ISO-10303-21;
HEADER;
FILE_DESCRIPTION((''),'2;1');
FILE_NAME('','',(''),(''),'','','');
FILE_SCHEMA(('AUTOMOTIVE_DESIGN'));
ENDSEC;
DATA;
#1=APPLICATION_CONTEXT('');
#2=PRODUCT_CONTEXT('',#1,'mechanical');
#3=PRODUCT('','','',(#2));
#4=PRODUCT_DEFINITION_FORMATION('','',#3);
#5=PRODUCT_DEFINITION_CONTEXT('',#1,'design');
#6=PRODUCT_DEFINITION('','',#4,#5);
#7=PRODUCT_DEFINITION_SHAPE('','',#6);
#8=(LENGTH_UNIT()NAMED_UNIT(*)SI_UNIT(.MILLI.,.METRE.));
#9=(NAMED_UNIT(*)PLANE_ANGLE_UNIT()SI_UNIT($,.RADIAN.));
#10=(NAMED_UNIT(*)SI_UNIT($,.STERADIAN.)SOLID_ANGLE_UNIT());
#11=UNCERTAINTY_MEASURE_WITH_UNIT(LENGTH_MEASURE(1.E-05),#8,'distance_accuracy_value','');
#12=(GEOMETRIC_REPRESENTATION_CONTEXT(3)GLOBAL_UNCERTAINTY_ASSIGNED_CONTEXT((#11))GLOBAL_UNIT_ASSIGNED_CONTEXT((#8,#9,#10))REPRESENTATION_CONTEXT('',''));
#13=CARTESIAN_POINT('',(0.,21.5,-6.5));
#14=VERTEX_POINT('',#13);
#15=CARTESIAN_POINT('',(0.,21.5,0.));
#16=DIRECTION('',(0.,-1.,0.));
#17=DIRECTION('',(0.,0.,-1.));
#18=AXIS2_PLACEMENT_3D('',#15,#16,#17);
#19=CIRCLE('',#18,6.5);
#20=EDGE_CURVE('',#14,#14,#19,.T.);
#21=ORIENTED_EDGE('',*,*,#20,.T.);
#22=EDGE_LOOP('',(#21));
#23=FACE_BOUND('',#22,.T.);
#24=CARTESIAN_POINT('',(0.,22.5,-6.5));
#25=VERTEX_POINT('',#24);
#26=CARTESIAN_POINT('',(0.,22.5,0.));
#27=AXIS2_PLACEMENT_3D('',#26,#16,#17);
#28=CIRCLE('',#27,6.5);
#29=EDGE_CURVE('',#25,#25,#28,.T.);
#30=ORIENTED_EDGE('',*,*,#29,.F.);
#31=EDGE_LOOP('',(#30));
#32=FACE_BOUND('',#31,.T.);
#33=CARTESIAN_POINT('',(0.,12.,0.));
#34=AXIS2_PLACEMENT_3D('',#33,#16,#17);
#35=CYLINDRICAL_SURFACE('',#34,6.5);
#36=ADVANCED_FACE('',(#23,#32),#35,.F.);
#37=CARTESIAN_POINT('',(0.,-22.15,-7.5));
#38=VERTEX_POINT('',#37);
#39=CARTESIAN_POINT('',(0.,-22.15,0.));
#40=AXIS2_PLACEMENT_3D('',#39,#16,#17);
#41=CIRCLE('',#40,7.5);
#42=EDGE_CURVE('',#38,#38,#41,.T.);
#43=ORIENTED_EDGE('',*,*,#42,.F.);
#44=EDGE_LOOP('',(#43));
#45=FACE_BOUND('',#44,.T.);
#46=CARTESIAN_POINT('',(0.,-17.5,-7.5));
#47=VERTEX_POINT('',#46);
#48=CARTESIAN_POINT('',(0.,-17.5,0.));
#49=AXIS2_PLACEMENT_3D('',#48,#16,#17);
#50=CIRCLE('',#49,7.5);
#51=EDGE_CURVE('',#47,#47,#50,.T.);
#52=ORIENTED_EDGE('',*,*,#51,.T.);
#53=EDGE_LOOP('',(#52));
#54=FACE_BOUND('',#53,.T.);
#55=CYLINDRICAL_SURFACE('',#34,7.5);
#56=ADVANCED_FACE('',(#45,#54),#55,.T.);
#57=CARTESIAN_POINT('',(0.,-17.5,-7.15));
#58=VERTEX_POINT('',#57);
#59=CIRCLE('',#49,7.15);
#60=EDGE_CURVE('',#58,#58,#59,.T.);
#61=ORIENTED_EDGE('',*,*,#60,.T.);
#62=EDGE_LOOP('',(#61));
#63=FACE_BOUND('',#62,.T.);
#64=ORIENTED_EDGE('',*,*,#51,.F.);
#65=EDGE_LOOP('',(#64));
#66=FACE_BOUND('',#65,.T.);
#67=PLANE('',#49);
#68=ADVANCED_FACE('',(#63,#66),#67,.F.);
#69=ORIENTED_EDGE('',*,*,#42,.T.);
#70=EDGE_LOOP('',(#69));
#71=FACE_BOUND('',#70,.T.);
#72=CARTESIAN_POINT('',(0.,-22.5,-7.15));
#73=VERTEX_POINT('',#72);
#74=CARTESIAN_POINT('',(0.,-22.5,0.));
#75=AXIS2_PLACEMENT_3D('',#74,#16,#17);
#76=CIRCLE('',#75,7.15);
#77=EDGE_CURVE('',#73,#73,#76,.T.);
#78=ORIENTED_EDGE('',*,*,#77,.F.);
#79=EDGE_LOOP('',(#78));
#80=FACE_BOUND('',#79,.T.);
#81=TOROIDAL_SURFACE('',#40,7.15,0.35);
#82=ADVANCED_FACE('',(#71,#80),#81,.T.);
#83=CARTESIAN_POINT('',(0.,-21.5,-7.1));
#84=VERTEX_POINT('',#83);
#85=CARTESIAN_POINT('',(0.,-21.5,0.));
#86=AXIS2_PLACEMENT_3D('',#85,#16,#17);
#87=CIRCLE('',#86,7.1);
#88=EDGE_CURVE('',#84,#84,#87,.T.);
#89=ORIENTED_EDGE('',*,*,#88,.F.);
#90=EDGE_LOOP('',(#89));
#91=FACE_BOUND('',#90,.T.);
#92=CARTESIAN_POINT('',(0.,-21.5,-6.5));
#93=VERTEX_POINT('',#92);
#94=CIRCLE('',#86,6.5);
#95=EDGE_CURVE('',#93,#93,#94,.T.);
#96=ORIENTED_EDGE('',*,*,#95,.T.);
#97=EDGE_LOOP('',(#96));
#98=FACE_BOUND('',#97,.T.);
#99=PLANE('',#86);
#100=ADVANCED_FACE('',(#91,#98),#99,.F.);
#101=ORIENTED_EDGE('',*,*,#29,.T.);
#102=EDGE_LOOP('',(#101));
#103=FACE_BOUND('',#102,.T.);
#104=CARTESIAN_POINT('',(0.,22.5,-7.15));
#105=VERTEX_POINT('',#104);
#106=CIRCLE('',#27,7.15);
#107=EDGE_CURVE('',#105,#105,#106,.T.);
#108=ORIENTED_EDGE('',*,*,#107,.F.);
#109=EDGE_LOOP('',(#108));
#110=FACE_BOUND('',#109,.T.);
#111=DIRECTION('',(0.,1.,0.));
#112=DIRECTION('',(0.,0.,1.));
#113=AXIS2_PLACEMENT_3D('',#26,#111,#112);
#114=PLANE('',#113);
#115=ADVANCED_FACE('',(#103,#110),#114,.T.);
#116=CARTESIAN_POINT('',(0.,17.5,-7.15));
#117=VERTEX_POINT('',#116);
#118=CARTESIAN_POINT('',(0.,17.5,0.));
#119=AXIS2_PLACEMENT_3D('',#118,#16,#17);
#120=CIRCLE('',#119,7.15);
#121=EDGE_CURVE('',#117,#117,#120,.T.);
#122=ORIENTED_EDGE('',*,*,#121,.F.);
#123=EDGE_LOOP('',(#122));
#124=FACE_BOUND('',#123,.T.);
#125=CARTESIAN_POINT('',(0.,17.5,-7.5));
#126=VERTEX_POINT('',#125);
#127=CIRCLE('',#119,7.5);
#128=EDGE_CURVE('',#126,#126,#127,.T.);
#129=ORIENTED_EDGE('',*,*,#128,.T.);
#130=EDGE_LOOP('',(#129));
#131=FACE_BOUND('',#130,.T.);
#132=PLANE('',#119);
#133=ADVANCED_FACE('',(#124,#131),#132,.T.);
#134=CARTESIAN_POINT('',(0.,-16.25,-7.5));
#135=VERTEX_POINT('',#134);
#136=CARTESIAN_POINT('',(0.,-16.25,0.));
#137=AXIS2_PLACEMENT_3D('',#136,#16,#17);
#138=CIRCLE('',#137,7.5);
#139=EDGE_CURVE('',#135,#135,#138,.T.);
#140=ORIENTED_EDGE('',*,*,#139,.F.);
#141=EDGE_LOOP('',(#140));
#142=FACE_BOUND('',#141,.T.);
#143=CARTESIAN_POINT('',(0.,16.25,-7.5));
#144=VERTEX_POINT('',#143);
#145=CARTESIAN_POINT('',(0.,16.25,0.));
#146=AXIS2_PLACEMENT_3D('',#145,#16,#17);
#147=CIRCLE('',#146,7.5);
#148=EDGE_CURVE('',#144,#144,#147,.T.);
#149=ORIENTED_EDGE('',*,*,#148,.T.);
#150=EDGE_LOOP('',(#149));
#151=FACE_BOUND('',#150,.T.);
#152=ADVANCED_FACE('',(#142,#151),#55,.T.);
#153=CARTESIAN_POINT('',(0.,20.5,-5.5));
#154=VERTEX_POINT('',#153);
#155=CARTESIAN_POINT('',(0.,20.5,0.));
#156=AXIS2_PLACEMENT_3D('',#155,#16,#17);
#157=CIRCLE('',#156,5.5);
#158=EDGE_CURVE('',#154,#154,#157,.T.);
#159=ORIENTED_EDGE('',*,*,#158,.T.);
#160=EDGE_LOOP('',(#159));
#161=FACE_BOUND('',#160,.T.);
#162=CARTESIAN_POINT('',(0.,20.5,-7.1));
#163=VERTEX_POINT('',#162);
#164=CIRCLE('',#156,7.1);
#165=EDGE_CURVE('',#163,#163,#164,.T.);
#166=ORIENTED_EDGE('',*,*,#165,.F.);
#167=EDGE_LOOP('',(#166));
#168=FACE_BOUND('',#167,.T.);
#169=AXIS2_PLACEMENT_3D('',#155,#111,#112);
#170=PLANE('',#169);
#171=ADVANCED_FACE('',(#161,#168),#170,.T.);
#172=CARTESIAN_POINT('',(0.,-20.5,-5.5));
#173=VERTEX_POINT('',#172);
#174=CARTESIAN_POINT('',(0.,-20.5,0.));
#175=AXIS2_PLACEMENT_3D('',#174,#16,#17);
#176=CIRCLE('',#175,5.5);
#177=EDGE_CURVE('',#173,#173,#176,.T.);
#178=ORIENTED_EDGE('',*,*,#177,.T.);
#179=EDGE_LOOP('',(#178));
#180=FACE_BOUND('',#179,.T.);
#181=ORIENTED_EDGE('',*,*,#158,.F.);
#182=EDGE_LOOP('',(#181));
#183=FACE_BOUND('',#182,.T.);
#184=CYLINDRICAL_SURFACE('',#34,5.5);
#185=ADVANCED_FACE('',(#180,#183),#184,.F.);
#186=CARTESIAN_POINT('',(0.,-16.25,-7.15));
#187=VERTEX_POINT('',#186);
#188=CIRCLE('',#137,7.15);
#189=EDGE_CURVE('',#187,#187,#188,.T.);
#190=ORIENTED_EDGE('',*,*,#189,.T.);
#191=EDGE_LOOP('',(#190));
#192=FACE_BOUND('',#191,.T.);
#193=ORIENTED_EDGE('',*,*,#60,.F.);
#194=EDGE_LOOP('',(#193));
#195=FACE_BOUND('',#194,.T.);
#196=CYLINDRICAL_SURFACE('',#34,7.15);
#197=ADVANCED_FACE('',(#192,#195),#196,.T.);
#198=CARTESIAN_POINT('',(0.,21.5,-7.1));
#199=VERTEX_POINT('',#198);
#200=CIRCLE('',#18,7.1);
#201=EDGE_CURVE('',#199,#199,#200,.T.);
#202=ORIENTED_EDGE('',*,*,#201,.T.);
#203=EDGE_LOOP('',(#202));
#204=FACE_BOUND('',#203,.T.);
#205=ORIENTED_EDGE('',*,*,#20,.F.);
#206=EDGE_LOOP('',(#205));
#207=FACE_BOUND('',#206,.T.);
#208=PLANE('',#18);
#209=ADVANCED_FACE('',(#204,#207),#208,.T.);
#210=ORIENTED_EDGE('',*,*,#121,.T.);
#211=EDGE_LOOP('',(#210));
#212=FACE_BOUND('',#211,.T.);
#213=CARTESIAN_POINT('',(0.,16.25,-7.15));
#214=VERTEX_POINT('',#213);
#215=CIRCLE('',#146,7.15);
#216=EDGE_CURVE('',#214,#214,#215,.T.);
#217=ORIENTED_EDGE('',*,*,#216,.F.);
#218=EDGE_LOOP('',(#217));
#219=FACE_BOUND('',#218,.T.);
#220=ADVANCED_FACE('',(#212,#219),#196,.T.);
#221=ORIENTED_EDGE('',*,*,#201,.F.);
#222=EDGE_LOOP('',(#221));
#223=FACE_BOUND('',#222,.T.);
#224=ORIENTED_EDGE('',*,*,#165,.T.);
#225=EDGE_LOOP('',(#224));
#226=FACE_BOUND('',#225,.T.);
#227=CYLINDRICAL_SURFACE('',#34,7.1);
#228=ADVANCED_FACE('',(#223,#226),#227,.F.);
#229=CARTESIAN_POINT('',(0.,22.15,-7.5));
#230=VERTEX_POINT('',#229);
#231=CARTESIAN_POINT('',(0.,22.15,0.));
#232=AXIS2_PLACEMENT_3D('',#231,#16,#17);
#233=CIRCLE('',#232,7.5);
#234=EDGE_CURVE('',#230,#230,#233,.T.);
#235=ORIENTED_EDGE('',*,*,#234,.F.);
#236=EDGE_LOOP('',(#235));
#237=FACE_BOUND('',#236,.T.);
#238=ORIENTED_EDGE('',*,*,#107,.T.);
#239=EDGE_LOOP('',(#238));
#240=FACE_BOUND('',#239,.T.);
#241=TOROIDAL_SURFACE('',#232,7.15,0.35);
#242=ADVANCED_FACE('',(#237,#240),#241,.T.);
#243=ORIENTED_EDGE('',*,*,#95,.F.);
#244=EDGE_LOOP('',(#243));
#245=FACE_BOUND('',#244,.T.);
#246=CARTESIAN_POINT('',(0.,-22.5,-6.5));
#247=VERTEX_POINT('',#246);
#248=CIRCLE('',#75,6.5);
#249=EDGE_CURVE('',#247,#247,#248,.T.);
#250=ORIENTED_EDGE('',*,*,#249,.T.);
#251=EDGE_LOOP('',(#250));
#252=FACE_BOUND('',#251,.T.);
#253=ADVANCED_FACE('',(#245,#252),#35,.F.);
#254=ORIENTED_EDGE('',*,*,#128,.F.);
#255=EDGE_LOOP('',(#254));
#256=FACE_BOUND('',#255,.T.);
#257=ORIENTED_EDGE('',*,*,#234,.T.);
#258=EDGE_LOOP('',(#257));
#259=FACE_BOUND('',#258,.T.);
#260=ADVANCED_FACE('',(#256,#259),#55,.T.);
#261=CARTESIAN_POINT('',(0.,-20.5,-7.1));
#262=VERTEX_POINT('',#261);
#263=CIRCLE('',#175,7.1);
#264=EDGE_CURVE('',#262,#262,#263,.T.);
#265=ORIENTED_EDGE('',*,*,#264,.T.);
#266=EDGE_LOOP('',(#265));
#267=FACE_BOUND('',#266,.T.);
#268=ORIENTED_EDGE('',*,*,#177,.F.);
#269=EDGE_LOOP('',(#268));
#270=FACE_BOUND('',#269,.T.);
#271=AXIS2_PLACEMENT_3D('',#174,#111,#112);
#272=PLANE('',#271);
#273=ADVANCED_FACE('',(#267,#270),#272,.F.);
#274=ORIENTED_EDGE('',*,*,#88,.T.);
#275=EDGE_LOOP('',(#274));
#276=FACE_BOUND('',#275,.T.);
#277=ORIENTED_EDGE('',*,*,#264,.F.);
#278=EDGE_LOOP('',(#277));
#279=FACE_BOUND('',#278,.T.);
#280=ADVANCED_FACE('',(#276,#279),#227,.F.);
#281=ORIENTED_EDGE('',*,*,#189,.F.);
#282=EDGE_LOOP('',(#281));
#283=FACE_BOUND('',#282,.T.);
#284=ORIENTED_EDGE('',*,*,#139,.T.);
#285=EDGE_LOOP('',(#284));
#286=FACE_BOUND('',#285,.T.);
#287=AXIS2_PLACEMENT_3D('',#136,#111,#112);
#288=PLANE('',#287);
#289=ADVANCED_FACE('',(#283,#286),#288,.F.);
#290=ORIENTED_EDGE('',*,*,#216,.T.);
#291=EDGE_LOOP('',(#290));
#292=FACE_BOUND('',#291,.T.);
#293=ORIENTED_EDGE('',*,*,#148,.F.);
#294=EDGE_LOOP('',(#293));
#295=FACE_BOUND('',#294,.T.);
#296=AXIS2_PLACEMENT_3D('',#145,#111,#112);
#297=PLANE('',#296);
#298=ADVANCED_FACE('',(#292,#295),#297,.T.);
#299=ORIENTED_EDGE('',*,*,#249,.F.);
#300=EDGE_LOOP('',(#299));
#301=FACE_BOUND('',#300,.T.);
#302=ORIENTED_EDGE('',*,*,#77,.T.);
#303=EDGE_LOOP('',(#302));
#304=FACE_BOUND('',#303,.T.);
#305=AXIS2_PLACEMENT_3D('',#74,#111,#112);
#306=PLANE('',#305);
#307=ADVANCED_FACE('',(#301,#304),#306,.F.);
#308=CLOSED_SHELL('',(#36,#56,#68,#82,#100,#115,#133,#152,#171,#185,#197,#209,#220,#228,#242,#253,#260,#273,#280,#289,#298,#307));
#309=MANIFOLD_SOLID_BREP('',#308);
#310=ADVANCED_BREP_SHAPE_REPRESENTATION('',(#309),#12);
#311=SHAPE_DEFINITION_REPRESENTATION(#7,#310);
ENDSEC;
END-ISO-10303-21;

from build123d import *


with BuildPart() as part:
    # Sketch1 → Revolve1 (revolve)
    with BuildSketch(Plane(origin=(0, 0, 0), x_dir=(0, -1, 0), z_dir=(1, 0, 0))):
        with BuildLine():
            Line((-17.5, 7.5), (-22.15, 7.5))
            ThreePointArc((-22.15, 7.5), (-22.397487373, 7.397487373), (-22.5, 7.15))
            Line((-22.5, 7.15), (-22.5, 6.5))
            Line((-22.5, 6.5), (-21.5, 6.5))
            Line((-21.5, 6.5), (-21.5, 7.1))
            Line((-21.5, 7.1), (-20.5, 7.1))
            Line((-20.5, 7.1), (-20.5, 5.5))
            Line((-20.5, 5.5), (20.5, 5.5))
            Line((20.5, 5.5), (20.5, 7.1))
            Line((20.5, 7.1), (21.5, 7.1))
            Line((21.5, 7.1), (21.5, 6.5))
            Line((21.5, 6.5), (22.5, 6.5))
            Line((22.5, 6.5), (22.5, 7.15))
            ThreePointArc((22.5, 7.15), (22.397487373, 7.397487373), (22.15, 7.5))
            Line((22.15, 7.5), (17.5, 7.5))
            Line((17.5, 7.5), (17.5, 7.15))
            Line((17.5, 7.15), (16.25, 7.15))
            Line((16.25, 7.15), (16.25, 7.5))
            Line((16.25, 7.5), (-16.25, 7.5))
            Line((-16.25, 7.5), (-16.25, 7.15))
            Line((-16.25, 7.15), (-17.5, 7.15))
            Line((-17.5, 7.15), (-17.5, 7.5))
        make_face()
    revolve(axis=Axis((0, 12, 0), (0, -1, 0)))


solid = part.part
